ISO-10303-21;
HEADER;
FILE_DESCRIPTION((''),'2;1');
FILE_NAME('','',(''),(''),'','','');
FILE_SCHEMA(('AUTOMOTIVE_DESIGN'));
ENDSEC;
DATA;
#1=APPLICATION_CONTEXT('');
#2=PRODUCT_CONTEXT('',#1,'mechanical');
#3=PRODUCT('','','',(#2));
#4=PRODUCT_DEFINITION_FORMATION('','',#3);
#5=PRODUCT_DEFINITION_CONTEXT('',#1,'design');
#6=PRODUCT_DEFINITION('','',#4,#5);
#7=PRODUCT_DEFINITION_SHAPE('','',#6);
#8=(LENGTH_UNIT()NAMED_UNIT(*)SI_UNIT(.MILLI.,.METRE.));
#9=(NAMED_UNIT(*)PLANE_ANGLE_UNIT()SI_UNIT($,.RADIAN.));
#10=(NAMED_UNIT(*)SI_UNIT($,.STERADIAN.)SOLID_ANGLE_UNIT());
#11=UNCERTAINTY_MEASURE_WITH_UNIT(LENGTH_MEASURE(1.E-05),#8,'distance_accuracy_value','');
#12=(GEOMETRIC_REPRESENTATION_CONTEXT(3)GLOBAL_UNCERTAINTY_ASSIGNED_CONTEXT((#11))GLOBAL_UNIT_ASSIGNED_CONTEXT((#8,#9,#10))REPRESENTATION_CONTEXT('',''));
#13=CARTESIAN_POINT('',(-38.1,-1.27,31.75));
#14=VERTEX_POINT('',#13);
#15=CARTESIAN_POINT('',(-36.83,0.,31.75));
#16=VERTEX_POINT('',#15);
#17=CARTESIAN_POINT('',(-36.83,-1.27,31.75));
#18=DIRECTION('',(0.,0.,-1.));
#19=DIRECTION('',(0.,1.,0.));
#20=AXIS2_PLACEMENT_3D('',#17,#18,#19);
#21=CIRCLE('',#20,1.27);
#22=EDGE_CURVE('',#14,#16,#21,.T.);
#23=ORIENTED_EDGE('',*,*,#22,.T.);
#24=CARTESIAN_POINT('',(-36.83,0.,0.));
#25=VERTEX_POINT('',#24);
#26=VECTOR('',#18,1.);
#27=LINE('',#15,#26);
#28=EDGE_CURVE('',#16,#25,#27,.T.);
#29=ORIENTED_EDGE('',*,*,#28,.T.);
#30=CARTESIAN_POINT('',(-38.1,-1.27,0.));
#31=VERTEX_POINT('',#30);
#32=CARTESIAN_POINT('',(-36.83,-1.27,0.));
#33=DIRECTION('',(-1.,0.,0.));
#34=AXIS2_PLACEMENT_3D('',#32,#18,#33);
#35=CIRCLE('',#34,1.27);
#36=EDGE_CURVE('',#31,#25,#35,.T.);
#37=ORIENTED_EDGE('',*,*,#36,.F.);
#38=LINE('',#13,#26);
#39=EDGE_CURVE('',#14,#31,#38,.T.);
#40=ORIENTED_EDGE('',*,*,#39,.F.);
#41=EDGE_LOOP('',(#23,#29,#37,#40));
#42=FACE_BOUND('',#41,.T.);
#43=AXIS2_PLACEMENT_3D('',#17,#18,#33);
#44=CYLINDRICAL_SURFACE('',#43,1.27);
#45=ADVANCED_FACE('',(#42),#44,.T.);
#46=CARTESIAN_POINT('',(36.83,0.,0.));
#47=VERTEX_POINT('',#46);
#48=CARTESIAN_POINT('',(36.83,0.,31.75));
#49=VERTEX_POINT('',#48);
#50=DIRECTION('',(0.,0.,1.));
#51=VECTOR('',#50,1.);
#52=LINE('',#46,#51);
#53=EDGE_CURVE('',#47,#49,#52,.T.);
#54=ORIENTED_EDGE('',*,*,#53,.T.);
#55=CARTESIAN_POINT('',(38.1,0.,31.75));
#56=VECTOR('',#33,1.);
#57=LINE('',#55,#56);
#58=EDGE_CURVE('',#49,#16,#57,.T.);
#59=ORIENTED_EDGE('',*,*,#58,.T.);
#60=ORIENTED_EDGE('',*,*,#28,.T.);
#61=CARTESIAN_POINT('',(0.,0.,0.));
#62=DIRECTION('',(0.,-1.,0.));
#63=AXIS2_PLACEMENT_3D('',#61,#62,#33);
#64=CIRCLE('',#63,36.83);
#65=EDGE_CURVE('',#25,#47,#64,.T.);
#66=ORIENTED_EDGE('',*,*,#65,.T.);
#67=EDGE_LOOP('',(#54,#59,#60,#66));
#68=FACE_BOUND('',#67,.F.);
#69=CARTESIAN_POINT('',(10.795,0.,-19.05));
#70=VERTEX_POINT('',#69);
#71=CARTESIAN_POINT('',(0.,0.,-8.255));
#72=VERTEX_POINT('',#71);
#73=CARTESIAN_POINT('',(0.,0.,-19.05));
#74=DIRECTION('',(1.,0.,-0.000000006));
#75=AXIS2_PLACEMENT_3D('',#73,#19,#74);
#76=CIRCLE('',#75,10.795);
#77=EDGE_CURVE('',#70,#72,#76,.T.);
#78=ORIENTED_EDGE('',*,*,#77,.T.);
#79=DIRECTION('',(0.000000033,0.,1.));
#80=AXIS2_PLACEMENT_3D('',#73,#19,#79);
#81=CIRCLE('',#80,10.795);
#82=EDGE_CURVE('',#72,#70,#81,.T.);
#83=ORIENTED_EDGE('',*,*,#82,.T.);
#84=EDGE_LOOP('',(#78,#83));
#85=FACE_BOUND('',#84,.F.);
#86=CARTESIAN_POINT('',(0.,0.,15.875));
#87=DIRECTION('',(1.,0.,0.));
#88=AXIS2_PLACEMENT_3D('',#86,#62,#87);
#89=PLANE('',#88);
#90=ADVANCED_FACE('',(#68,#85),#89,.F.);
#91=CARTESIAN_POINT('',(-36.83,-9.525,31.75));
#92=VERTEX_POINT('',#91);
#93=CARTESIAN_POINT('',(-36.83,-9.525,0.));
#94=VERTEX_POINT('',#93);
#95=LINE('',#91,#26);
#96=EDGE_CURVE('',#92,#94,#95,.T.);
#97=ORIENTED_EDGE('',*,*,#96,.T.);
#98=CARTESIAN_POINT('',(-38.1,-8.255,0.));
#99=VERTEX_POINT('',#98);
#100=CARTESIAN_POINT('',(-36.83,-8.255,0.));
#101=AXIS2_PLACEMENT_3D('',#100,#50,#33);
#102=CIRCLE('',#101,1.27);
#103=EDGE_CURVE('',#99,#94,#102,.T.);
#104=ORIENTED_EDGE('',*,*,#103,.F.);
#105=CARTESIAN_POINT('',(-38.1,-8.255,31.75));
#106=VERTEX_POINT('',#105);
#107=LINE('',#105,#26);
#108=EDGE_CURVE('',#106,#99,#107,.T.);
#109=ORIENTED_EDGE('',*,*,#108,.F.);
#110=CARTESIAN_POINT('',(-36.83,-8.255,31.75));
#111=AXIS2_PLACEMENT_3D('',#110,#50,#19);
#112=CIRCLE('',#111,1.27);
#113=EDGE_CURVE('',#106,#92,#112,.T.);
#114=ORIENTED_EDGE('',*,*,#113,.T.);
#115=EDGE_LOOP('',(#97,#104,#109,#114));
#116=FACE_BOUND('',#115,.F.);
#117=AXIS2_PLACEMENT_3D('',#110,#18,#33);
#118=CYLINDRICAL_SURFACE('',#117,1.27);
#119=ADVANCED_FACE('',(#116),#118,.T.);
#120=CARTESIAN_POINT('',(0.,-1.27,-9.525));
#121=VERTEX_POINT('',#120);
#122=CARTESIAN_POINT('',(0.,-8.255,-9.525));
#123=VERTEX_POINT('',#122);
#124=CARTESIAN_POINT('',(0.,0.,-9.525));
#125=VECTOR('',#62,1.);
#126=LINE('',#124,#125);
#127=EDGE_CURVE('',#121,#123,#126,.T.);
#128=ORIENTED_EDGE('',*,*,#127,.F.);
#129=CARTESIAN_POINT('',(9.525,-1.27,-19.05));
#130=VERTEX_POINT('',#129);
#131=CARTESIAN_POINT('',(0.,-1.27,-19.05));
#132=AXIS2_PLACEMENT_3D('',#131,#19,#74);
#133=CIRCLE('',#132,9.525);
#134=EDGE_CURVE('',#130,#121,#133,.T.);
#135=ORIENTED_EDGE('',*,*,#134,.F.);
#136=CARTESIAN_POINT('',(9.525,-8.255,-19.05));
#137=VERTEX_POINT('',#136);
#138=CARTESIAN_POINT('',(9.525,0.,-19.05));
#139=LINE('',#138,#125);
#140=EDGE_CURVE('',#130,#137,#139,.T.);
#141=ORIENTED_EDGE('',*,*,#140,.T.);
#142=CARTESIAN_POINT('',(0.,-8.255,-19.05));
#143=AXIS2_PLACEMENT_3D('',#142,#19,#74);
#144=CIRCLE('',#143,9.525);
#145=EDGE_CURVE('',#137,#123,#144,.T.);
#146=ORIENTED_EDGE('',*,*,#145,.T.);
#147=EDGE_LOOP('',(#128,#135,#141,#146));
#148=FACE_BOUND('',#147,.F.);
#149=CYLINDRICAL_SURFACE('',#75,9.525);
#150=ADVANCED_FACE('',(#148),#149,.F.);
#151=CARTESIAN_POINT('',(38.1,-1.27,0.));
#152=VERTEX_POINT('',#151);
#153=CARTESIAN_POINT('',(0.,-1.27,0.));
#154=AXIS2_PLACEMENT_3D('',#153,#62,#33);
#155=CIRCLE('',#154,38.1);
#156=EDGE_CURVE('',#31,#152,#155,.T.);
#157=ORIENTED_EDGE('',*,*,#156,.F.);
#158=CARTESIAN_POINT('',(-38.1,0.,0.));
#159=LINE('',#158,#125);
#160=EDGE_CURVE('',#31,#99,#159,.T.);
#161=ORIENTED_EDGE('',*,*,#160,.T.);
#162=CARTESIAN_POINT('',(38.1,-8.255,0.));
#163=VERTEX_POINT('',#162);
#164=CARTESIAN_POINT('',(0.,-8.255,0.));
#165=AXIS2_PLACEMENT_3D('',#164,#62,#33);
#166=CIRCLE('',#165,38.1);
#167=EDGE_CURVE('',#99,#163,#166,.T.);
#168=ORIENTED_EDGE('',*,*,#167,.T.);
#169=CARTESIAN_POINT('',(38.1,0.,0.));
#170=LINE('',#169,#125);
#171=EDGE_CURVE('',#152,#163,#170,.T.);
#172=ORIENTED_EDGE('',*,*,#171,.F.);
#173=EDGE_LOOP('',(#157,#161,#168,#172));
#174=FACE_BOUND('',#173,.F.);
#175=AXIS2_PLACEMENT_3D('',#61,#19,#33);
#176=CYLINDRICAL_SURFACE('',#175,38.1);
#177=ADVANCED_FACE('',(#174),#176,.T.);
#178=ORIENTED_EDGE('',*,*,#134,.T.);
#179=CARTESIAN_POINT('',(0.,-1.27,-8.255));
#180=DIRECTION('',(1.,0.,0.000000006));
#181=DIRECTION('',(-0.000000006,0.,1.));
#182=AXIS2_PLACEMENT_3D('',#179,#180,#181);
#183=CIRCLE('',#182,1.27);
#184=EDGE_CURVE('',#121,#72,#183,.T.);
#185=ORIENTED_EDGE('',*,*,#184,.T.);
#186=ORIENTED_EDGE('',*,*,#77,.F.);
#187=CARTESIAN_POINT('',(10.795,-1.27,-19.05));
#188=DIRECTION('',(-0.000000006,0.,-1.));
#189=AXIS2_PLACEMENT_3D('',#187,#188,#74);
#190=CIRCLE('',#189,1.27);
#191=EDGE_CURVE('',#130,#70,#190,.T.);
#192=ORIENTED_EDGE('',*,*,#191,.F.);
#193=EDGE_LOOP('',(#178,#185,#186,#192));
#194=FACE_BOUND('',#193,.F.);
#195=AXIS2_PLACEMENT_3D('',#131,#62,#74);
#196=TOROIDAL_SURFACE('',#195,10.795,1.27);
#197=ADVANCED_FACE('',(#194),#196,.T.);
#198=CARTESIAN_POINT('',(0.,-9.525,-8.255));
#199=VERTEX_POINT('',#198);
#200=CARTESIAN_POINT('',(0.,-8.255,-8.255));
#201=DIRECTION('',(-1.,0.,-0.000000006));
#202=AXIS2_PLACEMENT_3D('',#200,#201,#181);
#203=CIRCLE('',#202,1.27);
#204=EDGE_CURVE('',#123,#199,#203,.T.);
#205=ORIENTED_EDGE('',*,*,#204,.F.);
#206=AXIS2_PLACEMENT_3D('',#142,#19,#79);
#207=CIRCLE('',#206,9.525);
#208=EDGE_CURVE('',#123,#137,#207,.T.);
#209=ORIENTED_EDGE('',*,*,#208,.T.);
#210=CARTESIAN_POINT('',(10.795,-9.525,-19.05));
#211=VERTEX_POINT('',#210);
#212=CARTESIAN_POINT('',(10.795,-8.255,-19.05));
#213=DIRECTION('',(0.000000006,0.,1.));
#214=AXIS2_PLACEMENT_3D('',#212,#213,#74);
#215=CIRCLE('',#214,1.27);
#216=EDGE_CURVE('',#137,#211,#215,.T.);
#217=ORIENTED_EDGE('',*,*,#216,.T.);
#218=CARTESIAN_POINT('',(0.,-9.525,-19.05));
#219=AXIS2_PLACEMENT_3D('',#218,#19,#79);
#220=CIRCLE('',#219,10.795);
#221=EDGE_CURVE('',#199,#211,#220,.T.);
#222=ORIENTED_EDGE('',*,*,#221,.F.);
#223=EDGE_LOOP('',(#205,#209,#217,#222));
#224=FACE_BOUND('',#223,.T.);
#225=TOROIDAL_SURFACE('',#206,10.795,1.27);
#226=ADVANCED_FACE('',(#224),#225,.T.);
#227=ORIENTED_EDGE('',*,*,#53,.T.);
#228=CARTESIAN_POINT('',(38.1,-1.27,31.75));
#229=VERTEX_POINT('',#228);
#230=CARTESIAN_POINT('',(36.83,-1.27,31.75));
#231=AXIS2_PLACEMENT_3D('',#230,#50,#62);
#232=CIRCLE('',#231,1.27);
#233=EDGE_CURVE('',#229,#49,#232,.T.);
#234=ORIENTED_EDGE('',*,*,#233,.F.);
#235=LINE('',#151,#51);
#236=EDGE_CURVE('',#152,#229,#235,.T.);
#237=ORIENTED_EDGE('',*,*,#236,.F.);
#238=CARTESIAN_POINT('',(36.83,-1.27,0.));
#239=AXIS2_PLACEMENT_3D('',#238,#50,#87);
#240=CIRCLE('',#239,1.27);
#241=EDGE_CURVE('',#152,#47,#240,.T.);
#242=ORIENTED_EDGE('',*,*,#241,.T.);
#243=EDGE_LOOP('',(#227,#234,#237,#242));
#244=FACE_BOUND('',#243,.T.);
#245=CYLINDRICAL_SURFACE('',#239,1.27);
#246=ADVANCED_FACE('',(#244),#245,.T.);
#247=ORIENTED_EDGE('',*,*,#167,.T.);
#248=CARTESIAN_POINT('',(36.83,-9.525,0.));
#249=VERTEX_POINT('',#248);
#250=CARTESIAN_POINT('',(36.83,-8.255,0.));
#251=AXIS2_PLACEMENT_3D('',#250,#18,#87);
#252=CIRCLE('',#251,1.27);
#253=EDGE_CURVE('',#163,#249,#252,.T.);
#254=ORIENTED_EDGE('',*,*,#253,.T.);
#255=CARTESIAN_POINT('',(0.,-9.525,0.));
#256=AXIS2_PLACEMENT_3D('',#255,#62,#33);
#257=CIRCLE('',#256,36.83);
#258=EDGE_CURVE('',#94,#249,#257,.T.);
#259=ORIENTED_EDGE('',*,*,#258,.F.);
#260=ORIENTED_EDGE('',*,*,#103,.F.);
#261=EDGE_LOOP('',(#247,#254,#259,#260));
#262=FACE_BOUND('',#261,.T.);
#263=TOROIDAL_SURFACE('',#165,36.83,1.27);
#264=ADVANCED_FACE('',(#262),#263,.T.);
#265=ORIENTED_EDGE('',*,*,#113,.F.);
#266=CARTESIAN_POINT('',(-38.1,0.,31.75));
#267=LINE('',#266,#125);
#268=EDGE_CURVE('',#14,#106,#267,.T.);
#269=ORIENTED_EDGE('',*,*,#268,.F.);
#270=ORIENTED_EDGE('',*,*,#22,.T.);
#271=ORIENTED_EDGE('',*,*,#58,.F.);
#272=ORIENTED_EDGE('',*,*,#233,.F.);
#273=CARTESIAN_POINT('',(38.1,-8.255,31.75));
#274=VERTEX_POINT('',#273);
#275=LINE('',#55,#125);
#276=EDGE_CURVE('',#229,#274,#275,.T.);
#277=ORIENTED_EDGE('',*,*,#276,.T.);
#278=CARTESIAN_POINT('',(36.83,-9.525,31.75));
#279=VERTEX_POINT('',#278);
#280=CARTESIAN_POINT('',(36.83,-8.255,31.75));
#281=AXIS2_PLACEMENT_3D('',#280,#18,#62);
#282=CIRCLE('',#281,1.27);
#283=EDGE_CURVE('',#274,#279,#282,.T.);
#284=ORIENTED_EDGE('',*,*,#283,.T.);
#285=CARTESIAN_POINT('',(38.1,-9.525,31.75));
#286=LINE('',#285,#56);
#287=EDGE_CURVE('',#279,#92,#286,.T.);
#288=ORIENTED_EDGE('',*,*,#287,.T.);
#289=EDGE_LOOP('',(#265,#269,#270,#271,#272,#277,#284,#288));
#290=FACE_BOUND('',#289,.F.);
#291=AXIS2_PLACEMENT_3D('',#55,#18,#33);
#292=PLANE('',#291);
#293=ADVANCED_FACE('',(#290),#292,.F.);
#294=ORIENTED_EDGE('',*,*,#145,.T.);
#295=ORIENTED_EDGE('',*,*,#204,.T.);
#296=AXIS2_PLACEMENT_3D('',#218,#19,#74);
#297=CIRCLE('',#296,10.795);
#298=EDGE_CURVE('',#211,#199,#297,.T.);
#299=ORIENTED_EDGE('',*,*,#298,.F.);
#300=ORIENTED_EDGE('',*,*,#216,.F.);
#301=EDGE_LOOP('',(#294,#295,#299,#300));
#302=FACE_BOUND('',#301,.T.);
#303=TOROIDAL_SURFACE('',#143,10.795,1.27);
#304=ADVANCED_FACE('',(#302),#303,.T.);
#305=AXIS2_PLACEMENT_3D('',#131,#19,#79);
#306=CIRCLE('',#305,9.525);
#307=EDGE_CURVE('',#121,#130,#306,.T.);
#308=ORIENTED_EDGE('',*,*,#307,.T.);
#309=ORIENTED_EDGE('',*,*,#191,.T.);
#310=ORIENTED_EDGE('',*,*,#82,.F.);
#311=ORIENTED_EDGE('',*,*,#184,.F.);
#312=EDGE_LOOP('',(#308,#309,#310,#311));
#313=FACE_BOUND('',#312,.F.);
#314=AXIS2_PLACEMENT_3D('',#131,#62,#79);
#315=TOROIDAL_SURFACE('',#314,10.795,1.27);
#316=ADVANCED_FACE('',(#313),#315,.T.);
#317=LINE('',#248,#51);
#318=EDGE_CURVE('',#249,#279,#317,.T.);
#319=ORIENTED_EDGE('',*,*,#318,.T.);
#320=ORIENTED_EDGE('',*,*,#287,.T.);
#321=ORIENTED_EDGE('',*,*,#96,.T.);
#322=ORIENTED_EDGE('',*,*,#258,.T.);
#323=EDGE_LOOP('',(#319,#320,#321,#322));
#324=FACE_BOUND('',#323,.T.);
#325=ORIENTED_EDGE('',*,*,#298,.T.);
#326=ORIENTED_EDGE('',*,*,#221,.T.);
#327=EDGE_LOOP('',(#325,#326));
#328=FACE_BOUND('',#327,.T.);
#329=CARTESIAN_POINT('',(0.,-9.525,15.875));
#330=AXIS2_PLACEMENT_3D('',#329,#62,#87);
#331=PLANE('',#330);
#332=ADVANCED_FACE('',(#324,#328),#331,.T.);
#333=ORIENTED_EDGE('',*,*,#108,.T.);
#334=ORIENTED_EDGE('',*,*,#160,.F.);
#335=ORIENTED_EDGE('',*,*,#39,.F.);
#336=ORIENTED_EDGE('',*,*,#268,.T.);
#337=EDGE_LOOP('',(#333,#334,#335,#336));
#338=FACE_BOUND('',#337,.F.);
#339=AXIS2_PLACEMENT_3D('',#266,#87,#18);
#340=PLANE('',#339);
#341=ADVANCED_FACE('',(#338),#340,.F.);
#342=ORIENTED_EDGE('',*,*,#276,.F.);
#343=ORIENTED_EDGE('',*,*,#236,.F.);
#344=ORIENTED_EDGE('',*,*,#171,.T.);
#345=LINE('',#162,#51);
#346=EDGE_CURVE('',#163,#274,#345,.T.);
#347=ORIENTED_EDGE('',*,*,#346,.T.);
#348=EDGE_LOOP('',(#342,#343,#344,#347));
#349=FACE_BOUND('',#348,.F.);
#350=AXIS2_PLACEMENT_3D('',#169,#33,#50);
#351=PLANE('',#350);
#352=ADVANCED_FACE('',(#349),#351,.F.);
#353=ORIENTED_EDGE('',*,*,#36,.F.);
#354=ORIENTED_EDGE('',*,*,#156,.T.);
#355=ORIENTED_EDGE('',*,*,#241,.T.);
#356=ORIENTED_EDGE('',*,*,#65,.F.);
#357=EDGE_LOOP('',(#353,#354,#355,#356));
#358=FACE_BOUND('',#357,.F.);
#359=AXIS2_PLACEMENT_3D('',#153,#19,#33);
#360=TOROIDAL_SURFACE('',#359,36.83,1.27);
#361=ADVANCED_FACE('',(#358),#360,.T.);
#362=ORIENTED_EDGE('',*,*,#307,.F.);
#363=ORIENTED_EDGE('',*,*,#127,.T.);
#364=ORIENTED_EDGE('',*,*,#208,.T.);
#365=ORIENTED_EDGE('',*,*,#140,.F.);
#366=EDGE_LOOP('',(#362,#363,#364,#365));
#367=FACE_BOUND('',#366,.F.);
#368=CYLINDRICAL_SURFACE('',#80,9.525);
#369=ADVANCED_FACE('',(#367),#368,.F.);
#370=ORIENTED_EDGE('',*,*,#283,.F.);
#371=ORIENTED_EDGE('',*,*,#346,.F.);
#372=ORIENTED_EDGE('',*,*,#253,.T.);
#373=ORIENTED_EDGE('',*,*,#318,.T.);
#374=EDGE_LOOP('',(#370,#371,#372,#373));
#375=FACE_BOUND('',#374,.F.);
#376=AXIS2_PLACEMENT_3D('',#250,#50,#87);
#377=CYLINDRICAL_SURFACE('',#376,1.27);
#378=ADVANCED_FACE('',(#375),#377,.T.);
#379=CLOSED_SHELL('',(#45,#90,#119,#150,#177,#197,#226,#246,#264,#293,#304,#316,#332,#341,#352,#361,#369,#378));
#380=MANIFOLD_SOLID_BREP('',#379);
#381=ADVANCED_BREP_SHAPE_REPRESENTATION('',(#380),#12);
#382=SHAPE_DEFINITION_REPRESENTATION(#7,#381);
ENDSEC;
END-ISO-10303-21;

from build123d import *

# Parameters (mm, degrees)
F1_DEPTH = 9.525
F2_R     = 1.27


with BuildPart() as f1:
    # F0 (on Front) → F1 (new body)
    with BuildSketch(Plane.XZ):
        Polygon((-38.1, 31.75), (-38.1, 0), (0, 0), (38.1, 0), (38.1, 31.75), align=None)
        with BuildLine():
            Line((0, 0), (-38.1, 0))
            ThreePointArc((-38.1, 0), (0, -38.1), (38.1, 0))
            Line((38.1, 0), (0, 0))
        make_face()
        with BuildLine():
            ThreePointArc((9.525, -19.05), (-6.735192, -25.785192), (0, -9.525))
            ThreePointArc((0, -9.525), (6.735192, -12.314808), (9.525, -19.05))
        make_face(mode=Mode.SUBTRACT)
    extrude(amount=F1_DEPTH)

    # F2
    f2_edges = [f1.edges().sort_by_distance(p)[0] for p in [
        (-38.1, -9.525, 15.875),
        (38.1, 0, 15.875),
        (0, -9.525, -28.575),
        (0, 0, -28.575),
    ]]
    fillet(f2_edges, radius=F2_R)


solid = f1.part
